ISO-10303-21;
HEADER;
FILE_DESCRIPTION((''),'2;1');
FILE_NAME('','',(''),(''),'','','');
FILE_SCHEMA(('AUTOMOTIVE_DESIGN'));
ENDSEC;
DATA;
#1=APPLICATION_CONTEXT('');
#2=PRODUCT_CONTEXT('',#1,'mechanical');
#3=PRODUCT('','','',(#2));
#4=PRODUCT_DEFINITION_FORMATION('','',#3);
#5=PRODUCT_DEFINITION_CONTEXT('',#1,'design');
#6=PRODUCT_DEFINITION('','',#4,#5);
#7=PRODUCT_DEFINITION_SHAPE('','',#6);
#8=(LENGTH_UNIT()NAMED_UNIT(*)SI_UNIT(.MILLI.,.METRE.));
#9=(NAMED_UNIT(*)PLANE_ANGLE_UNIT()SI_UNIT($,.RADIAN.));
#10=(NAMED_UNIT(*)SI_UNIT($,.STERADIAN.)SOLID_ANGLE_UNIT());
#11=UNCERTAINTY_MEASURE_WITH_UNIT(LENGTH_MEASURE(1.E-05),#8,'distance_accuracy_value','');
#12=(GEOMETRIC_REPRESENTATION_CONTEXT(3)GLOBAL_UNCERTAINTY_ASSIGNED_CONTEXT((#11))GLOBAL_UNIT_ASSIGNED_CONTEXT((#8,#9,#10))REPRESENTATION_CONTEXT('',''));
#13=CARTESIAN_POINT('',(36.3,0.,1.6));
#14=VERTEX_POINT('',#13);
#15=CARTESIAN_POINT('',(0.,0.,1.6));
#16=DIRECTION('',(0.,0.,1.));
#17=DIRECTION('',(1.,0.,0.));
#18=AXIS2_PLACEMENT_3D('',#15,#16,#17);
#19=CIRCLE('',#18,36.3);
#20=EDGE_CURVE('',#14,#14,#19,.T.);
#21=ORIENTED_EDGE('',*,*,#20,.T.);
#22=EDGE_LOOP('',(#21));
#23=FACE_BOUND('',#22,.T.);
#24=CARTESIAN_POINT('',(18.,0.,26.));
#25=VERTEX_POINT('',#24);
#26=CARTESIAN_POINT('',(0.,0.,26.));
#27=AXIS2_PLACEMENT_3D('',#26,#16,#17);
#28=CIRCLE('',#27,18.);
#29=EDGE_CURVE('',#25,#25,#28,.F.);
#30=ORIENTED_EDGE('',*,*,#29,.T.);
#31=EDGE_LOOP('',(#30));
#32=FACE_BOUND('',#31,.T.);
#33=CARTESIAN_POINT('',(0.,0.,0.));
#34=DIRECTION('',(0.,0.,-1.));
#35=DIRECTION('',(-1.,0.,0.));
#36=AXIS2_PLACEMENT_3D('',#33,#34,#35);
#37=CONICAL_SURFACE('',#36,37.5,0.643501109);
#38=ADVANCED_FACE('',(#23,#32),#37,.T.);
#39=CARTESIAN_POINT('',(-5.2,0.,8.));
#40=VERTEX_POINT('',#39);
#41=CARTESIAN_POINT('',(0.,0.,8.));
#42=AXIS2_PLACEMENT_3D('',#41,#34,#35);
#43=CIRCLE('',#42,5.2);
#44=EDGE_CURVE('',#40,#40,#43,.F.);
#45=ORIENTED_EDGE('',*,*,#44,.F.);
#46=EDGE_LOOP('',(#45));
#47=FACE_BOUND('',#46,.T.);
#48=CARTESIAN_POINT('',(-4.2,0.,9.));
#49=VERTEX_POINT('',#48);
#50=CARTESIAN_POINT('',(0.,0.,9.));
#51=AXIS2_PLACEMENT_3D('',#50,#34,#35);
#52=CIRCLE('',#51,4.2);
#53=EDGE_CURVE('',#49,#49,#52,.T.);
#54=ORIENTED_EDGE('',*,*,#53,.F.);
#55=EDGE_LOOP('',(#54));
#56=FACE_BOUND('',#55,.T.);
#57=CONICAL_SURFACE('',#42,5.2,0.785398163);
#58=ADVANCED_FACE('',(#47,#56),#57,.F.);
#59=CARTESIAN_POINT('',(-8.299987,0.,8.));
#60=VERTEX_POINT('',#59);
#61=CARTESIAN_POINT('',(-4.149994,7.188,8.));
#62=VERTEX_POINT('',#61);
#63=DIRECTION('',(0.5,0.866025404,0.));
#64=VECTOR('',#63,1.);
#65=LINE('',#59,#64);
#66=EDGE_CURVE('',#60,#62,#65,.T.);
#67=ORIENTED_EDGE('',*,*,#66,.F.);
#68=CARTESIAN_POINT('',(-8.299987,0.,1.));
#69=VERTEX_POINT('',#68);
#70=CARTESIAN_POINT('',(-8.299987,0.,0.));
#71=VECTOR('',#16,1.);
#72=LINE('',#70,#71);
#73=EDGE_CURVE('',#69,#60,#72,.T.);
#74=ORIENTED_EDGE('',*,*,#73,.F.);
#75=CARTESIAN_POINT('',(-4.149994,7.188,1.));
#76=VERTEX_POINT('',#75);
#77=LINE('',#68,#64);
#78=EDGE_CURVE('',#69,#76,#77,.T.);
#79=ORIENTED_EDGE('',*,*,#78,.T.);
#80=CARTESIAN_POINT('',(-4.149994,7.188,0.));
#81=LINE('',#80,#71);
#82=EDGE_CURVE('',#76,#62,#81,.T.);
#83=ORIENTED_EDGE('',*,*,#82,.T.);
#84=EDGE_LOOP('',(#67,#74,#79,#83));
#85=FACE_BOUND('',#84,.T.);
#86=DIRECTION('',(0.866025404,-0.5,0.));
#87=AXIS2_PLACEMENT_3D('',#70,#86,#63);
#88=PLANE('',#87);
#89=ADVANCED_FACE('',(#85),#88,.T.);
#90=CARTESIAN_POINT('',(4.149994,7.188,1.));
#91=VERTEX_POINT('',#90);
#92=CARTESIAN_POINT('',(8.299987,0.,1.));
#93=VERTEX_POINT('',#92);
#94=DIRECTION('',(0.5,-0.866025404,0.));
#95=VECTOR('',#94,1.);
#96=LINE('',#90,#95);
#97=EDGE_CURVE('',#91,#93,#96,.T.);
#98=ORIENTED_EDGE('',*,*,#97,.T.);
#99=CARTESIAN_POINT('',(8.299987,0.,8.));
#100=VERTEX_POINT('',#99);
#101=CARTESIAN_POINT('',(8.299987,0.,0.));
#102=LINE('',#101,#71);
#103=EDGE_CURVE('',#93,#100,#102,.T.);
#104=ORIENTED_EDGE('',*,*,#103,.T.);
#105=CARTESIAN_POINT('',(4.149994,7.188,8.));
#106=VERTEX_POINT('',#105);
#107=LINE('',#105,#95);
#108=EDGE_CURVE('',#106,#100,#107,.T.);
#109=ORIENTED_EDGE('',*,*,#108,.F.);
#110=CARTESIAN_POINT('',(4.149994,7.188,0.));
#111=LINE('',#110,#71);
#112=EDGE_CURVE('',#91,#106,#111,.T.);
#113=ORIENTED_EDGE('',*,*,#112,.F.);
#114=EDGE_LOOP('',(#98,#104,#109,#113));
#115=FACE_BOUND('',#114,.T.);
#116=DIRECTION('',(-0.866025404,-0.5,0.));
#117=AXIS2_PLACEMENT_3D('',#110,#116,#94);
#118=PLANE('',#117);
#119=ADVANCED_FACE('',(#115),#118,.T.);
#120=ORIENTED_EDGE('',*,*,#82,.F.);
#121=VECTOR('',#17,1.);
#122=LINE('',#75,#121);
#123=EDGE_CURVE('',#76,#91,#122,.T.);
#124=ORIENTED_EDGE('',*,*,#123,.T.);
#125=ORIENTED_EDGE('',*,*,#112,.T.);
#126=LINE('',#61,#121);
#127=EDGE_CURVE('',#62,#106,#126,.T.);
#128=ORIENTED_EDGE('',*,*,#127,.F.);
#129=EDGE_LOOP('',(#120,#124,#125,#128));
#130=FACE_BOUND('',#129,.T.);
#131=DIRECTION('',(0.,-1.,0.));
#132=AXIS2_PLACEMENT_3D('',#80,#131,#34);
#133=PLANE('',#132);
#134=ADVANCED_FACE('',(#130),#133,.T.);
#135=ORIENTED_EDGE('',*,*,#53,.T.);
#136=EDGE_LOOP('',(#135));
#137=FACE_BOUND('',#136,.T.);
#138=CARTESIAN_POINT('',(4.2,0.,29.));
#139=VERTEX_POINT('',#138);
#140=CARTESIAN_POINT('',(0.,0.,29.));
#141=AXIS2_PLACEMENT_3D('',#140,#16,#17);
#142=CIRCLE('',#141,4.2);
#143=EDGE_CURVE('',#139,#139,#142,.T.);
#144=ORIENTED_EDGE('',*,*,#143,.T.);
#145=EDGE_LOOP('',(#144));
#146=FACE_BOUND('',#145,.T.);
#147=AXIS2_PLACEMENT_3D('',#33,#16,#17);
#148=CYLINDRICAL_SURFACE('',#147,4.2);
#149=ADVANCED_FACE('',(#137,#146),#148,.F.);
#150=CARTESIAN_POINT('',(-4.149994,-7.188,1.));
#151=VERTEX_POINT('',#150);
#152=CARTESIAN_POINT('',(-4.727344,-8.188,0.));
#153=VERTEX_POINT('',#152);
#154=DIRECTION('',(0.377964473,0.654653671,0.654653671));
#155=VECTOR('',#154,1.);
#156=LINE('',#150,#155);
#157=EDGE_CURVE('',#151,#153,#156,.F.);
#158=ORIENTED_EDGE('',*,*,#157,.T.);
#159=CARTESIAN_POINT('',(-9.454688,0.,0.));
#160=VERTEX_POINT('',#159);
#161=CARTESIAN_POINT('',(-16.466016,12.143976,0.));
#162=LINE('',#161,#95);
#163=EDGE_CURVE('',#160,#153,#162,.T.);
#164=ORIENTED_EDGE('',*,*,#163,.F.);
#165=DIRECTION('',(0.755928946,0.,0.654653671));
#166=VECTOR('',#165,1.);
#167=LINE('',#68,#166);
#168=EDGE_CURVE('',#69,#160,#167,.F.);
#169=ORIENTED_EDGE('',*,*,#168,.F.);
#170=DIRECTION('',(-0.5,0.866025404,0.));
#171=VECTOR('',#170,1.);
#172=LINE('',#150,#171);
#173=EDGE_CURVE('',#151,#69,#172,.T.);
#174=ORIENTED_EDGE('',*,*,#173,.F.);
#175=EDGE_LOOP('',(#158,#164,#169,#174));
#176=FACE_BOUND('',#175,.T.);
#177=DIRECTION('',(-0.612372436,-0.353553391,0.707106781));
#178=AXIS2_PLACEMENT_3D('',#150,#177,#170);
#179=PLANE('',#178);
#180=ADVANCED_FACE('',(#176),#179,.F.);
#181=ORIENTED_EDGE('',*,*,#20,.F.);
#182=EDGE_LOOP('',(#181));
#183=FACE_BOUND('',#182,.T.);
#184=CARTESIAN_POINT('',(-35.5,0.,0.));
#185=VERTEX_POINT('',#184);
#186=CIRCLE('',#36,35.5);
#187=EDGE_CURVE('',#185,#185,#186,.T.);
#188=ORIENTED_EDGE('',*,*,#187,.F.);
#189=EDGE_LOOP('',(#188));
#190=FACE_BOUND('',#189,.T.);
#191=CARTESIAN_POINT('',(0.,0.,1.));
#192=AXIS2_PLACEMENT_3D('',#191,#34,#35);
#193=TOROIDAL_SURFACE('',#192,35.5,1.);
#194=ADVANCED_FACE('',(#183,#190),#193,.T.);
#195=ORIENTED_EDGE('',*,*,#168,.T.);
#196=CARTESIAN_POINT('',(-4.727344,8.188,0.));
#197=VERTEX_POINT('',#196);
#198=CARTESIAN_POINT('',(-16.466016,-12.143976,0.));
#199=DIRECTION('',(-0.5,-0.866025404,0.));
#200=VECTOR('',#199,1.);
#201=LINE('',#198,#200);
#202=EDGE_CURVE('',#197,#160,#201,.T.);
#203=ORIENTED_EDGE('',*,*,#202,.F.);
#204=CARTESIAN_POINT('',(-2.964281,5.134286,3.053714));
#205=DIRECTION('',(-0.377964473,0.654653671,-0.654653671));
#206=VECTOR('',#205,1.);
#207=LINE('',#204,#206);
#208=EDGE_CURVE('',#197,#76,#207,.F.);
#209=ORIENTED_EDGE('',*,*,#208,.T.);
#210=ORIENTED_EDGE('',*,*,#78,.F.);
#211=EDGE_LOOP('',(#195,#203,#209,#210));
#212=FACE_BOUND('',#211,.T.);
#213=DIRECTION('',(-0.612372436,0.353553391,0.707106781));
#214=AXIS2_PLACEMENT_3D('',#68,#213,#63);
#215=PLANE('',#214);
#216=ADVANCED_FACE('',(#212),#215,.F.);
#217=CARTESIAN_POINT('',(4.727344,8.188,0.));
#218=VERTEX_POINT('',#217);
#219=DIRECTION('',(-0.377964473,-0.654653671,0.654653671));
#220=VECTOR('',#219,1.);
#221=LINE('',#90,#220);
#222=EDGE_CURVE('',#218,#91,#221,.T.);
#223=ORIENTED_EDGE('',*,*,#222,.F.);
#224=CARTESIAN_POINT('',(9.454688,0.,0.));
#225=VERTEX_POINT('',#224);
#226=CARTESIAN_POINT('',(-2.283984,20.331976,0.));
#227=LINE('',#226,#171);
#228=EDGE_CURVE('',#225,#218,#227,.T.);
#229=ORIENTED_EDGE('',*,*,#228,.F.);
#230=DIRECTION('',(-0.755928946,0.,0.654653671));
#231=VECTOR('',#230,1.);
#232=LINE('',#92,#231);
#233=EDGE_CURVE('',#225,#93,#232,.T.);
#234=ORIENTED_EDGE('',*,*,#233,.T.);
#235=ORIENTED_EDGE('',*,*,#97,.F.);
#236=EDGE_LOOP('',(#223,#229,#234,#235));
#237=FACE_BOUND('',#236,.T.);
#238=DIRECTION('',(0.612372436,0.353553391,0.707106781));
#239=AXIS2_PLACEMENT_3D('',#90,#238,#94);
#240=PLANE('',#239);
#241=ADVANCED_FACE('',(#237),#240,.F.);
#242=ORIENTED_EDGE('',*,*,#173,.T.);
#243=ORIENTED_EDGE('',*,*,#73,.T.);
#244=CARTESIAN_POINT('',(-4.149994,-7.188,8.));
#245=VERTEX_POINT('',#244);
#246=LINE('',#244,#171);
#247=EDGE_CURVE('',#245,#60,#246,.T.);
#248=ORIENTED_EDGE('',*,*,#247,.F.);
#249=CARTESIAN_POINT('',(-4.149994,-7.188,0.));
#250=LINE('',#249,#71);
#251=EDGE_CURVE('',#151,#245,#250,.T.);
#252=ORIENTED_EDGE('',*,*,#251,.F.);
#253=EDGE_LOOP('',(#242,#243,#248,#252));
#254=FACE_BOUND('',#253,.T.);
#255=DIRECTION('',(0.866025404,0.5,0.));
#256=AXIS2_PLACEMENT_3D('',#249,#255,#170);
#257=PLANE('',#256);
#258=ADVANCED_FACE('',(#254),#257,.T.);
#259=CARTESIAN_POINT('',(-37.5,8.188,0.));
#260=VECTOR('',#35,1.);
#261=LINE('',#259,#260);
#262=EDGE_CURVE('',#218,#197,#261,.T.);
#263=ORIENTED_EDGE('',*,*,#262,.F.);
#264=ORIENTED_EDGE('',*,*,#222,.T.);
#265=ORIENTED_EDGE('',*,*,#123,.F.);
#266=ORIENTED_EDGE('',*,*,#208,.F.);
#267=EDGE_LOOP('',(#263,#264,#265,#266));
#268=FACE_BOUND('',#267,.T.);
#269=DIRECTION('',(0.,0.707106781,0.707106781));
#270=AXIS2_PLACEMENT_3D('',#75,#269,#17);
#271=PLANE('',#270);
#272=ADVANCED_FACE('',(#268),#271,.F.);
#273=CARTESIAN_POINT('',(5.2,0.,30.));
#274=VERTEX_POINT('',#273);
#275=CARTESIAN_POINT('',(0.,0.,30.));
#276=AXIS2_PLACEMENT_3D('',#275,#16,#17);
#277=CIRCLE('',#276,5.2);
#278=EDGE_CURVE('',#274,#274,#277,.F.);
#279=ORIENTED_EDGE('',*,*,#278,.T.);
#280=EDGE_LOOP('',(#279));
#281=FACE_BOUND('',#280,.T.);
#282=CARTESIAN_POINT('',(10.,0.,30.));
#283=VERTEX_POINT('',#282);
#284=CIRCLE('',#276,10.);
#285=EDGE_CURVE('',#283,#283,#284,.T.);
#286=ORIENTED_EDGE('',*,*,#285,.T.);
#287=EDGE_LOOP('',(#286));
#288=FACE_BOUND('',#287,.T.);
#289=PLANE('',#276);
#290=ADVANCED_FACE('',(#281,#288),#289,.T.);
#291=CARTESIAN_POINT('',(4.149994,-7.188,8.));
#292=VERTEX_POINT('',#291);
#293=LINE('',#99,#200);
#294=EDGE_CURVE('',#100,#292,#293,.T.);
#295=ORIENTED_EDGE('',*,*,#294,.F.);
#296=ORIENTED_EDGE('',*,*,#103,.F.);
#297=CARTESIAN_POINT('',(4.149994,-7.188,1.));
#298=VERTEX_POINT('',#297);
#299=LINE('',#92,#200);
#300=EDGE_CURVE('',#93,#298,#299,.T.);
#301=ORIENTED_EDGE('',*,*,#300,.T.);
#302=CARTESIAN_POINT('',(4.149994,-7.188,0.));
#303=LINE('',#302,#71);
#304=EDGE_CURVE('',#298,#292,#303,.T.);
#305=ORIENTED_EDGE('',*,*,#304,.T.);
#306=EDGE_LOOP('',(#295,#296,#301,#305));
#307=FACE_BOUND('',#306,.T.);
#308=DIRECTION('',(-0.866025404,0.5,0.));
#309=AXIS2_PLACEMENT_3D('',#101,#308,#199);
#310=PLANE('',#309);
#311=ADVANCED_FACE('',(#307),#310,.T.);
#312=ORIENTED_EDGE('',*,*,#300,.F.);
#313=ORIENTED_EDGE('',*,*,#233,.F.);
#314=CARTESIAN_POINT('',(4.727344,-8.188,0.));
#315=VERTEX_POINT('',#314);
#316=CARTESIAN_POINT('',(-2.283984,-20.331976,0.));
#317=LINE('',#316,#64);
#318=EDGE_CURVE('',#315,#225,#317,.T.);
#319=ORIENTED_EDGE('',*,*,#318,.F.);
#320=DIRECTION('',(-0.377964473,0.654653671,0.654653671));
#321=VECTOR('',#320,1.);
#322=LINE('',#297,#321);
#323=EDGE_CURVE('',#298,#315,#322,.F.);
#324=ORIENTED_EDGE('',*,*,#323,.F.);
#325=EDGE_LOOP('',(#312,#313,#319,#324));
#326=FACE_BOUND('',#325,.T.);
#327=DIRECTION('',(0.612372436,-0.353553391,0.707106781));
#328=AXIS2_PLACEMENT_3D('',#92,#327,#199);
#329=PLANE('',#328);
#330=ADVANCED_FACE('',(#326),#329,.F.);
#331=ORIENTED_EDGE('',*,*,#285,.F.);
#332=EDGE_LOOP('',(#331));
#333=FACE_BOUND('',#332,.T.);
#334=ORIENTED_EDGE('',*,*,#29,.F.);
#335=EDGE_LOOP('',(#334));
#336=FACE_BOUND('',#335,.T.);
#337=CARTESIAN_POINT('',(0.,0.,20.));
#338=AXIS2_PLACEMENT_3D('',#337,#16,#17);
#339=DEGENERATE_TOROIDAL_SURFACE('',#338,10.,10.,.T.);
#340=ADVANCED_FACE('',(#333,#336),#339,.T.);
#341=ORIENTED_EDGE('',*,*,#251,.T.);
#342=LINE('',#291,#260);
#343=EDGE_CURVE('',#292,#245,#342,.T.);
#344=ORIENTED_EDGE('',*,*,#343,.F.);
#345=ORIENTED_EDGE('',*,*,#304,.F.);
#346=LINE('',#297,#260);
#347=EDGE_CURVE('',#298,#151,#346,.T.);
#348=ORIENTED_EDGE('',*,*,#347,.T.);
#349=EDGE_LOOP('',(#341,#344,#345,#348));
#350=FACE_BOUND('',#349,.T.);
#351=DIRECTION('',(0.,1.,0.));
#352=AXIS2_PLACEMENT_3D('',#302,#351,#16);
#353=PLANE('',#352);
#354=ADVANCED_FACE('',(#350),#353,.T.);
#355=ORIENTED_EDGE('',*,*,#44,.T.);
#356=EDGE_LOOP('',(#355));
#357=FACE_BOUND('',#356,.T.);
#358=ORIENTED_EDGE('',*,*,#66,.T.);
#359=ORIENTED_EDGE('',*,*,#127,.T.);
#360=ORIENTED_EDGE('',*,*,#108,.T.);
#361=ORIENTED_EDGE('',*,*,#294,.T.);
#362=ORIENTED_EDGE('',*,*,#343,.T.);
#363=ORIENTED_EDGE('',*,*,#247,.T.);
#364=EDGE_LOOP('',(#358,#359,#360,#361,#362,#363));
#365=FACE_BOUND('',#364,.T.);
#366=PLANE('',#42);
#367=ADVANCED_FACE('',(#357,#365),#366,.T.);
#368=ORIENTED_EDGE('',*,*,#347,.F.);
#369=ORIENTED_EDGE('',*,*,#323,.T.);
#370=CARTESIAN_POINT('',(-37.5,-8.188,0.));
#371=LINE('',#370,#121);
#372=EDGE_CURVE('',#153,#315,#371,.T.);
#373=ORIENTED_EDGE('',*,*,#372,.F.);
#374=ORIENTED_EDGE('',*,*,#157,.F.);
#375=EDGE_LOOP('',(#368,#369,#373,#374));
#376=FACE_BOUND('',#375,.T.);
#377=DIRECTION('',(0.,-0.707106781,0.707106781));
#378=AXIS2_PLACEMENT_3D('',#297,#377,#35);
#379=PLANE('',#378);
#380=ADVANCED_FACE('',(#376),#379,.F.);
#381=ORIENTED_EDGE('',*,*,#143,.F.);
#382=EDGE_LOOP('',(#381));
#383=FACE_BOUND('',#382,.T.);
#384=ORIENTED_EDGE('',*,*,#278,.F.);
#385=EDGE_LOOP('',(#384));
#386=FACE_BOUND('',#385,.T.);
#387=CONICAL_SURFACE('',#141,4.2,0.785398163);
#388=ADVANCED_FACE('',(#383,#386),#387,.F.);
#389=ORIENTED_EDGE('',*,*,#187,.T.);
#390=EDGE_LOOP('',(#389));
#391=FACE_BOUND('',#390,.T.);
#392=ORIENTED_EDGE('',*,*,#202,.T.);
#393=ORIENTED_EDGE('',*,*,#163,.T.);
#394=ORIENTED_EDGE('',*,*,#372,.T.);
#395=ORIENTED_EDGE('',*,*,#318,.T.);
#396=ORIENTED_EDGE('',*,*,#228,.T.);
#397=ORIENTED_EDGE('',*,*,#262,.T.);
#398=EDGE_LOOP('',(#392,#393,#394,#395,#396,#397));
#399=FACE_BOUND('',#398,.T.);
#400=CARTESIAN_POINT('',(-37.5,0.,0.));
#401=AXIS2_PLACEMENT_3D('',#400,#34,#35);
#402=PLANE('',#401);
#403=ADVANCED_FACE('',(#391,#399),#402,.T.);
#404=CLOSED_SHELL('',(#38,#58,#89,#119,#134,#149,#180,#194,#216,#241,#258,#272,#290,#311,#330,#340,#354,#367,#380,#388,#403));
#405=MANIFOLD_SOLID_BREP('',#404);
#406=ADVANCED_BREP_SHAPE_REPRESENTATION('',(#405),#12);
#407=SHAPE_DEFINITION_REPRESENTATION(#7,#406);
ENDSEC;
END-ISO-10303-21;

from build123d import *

# Parameters (mm, degrees)
FILLET1_R          = 1
FILLET2_R          = 10
SKETCH2_R          = 4.2
CUT_EXTRUDE1_DEPTH = 60.703433859
CUT_EXTRUDE2_START = -8
CUT_EXTRUDE2_DEPTH = 68.703433859
CHAMFER1_SIZE      = 1


with BuildPart() as part:
    # Sketch1 → Revolve1 (revolve)
    with BuildSketch(Plane(origin=(0, 0, 0), x_dir=(1, 0, 0), z_dir=(0, 1, 0))):
        Polygon((-37.5, 0), (0, 0), (0, -30), (-15, -30), align=None)
    revolve(axis=Axis((0, 0, 0), (0, 0, 1)))

    # Fillet1
    fillet1_edges = [part.edges().sort_by_distance(p)[0] for p in [
        (37.5, 0, 0),
    ]]
    fillet(fillet1_edges, radius=FILLET1_R)

    # Fillet2
    fillet2_edges = [part.edges().sort_by_distance(p)[0] for p in [
        (15, 0, 30),
    ]]
    fillet(fillet2_edges, radius=FILLET2_R)

    # Sketch2 → Cut-Extrude1 (cut, through all)
    with BuildSketch(Plane.XY.offset(30)):
        Circle(SKETCH2_R)
    extrude(amount=-CUT_EXTRUDE1_DEPTH, mode=Mode.SUBTRACT)

    # Sketch3 → Cut-Extrude2 (cut, through all)
    with BuildSketch(Plane(origin=(0, 0, 0), x_dir=(-1, 0, 0), z_dir=(0, 0, -1)).offset(CUT_EXTRUDE2_START)):
        Polygon((-8.29998747, 0), (-4.149993735, -7.188), (4.149993735, -7.188), (8.29998747, 0), (4.149993735, 7.188), (-4.149993735, 7.188), align=None)
    extrude(amount=CUT_EXTRUDE2_DEPTH, mode=Mode.SUBTRACT)

    # Chamfer1
    chamfer1_edges = [part.edges().sort_by_distance(p)[0] for p in [
        (-4.2, 0, 30),
        (6.224990602, 3.594, 0),
        (6.224990602, -3.594, 0),
        (0, -7.188, 0),
        (-6.224990602, -3.594, 0),
        (-6.224990602, 3.594, 0),
        (0, 7.188, 0),
        (-4.2, 0, 8),
    ]]
    chamfer(chamfer1_edges, length=CHAMFER1_SIZE)


solid = part.part
